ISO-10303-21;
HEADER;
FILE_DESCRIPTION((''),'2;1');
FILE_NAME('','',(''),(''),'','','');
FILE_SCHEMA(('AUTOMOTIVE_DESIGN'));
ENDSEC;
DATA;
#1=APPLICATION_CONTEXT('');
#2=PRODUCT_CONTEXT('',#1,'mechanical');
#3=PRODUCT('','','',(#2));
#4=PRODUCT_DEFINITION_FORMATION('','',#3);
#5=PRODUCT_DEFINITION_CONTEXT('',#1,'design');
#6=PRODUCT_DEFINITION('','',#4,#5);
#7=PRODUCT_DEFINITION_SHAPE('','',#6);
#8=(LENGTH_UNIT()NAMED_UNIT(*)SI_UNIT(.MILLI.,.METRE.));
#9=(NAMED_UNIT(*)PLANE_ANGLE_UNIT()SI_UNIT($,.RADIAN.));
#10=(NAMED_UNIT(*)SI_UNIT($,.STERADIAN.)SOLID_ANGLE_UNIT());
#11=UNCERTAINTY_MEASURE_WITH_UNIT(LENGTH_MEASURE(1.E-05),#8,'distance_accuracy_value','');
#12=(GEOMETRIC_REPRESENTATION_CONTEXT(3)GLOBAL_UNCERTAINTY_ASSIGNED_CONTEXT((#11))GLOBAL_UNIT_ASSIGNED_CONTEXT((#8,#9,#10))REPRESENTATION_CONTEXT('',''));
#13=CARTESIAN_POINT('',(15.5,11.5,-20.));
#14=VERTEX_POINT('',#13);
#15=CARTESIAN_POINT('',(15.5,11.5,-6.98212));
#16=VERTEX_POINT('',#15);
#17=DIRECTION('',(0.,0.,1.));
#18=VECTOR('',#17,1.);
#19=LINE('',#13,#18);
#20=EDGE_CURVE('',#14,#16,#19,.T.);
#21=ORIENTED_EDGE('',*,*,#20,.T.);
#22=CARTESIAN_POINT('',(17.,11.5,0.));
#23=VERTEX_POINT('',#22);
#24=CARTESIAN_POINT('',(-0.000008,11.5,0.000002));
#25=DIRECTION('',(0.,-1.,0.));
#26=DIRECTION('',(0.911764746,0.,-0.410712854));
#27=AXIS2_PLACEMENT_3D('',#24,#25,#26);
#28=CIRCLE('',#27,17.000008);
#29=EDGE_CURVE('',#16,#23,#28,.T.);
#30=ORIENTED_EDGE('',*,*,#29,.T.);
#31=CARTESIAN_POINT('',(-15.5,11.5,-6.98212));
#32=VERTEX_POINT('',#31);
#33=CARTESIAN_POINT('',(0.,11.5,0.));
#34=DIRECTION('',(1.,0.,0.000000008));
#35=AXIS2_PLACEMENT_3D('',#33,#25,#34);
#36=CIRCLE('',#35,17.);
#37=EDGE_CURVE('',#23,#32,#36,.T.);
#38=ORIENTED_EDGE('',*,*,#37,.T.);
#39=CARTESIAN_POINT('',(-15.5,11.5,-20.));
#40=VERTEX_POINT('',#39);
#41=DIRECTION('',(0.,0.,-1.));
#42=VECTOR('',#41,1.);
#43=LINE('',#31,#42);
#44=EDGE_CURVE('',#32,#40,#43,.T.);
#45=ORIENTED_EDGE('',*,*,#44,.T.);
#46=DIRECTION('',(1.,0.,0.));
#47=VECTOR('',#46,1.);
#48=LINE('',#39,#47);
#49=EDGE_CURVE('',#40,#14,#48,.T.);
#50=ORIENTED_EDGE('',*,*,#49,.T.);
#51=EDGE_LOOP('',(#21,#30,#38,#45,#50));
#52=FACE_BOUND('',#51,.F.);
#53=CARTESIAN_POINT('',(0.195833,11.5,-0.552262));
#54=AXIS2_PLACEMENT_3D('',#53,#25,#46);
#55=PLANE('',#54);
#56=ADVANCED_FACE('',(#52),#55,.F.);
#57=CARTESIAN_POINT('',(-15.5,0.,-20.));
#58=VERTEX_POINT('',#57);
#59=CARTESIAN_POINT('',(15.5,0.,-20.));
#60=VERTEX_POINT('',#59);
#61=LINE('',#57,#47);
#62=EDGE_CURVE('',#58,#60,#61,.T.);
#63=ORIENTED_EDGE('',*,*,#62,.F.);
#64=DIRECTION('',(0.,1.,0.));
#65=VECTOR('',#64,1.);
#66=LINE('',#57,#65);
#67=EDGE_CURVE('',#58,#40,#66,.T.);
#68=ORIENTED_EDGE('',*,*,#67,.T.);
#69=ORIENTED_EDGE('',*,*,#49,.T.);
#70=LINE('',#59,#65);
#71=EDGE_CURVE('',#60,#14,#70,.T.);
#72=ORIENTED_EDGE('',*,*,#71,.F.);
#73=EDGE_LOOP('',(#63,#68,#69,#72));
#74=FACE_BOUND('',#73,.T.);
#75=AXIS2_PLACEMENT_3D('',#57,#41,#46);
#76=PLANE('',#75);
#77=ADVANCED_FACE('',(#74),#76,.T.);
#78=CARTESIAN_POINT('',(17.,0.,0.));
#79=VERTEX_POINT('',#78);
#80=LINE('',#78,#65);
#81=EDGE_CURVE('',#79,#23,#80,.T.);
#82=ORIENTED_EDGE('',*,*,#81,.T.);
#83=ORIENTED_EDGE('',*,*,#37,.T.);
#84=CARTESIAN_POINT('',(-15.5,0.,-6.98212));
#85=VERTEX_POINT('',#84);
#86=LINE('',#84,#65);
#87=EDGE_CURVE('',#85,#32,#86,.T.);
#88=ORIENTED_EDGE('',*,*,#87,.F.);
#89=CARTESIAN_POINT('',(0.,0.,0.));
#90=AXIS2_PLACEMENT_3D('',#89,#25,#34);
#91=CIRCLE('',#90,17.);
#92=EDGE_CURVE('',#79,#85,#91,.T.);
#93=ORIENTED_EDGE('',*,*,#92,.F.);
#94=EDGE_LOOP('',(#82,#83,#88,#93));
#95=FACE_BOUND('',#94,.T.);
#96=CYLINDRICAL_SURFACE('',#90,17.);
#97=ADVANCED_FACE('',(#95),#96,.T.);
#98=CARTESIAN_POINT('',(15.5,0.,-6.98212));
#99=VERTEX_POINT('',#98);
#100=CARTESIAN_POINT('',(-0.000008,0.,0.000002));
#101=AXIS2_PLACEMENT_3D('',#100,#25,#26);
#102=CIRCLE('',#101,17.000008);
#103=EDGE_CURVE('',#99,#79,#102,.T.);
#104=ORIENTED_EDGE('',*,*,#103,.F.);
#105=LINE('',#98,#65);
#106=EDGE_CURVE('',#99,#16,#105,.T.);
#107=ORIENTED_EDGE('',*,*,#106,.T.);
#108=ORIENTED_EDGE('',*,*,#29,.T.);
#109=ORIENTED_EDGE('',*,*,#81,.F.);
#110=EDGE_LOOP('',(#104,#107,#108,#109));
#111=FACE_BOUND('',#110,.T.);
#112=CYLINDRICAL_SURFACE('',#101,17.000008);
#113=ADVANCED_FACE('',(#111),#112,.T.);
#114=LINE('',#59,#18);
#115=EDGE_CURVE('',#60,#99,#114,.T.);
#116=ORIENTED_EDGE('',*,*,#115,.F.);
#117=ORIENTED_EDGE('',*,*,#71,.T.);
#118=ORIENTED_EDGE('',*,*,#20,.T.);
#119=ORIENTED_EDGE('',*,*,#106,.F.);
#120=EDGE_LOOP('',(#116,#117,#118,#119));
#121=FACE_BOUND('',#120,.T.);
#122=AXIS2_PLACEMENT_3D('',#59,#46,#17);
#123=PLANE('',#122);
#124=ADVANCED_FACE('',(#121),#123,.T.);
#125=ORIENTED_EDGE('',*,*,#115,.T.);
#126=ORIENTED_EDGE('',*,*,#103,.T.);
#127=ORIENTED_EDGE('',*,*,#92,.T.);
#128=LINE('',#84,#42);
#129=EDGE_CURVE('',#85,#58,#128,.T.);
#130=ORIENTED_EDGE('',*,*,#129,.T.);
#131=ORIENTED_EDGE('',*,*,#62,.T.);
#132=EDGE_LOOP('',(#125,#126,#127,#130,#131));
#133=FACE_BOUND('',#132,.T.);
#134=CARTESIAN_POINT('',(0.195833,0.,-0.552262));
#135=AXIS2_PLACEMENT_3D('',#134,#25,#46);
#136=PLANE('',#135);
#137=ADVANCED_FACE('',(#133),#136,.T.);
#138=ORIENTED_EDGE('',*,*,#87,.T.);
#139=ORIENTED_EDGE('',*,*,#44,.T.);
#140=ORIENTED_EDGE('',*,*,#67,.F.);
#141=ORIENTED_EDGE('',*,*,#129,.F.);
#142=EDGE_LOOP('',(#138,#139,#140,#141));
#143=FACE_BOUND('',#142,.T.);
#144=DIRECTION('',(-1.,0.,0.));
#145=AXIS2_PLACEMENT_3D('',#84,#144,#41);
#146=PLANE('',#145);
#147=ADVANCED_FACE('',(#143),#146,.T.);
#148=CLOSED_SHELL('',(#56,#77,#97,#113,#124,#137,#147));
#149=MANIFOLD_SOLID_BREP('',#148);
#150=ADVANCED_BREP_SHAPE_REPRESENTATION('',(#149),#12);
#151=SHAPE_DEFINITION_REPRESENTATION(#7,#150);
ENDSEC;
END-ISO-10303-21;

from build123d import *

# Parameters (mm, degrees)
F1_DEPTH = 11.5


with BuildPart() as f1:
    # F0 (on Front) → F1 (new body)
    with BuildSketch(Plane.XZ):
        with BuildLine():
            ThreePointArc((15.5, -6.98212), (16.62077, -3.570714), (17, 0))
            ThreePointArc((17, 0), (-3.570714, 16.62077), (-15.5, -6.98212))
            ThreePointArc((-15.5, -6.98212), (0, -17), (15.5, -6.98212))
        make_face()
        with BuildLine():
            ThreePointArc((15.5, -6.98212), (0, -17), (-15.5, -6.98212))
            Line((-15.5, -6.98212), (-15.5, -20))
            Line((-15.5, -20), (0, -20))
            Line((0, -20), (15.5, -20))
            Line((15.5, -20), (15.5, -6.98212))
        make_face()
    extrude(amount=-F1_DEPTH)


solid = f1.part
